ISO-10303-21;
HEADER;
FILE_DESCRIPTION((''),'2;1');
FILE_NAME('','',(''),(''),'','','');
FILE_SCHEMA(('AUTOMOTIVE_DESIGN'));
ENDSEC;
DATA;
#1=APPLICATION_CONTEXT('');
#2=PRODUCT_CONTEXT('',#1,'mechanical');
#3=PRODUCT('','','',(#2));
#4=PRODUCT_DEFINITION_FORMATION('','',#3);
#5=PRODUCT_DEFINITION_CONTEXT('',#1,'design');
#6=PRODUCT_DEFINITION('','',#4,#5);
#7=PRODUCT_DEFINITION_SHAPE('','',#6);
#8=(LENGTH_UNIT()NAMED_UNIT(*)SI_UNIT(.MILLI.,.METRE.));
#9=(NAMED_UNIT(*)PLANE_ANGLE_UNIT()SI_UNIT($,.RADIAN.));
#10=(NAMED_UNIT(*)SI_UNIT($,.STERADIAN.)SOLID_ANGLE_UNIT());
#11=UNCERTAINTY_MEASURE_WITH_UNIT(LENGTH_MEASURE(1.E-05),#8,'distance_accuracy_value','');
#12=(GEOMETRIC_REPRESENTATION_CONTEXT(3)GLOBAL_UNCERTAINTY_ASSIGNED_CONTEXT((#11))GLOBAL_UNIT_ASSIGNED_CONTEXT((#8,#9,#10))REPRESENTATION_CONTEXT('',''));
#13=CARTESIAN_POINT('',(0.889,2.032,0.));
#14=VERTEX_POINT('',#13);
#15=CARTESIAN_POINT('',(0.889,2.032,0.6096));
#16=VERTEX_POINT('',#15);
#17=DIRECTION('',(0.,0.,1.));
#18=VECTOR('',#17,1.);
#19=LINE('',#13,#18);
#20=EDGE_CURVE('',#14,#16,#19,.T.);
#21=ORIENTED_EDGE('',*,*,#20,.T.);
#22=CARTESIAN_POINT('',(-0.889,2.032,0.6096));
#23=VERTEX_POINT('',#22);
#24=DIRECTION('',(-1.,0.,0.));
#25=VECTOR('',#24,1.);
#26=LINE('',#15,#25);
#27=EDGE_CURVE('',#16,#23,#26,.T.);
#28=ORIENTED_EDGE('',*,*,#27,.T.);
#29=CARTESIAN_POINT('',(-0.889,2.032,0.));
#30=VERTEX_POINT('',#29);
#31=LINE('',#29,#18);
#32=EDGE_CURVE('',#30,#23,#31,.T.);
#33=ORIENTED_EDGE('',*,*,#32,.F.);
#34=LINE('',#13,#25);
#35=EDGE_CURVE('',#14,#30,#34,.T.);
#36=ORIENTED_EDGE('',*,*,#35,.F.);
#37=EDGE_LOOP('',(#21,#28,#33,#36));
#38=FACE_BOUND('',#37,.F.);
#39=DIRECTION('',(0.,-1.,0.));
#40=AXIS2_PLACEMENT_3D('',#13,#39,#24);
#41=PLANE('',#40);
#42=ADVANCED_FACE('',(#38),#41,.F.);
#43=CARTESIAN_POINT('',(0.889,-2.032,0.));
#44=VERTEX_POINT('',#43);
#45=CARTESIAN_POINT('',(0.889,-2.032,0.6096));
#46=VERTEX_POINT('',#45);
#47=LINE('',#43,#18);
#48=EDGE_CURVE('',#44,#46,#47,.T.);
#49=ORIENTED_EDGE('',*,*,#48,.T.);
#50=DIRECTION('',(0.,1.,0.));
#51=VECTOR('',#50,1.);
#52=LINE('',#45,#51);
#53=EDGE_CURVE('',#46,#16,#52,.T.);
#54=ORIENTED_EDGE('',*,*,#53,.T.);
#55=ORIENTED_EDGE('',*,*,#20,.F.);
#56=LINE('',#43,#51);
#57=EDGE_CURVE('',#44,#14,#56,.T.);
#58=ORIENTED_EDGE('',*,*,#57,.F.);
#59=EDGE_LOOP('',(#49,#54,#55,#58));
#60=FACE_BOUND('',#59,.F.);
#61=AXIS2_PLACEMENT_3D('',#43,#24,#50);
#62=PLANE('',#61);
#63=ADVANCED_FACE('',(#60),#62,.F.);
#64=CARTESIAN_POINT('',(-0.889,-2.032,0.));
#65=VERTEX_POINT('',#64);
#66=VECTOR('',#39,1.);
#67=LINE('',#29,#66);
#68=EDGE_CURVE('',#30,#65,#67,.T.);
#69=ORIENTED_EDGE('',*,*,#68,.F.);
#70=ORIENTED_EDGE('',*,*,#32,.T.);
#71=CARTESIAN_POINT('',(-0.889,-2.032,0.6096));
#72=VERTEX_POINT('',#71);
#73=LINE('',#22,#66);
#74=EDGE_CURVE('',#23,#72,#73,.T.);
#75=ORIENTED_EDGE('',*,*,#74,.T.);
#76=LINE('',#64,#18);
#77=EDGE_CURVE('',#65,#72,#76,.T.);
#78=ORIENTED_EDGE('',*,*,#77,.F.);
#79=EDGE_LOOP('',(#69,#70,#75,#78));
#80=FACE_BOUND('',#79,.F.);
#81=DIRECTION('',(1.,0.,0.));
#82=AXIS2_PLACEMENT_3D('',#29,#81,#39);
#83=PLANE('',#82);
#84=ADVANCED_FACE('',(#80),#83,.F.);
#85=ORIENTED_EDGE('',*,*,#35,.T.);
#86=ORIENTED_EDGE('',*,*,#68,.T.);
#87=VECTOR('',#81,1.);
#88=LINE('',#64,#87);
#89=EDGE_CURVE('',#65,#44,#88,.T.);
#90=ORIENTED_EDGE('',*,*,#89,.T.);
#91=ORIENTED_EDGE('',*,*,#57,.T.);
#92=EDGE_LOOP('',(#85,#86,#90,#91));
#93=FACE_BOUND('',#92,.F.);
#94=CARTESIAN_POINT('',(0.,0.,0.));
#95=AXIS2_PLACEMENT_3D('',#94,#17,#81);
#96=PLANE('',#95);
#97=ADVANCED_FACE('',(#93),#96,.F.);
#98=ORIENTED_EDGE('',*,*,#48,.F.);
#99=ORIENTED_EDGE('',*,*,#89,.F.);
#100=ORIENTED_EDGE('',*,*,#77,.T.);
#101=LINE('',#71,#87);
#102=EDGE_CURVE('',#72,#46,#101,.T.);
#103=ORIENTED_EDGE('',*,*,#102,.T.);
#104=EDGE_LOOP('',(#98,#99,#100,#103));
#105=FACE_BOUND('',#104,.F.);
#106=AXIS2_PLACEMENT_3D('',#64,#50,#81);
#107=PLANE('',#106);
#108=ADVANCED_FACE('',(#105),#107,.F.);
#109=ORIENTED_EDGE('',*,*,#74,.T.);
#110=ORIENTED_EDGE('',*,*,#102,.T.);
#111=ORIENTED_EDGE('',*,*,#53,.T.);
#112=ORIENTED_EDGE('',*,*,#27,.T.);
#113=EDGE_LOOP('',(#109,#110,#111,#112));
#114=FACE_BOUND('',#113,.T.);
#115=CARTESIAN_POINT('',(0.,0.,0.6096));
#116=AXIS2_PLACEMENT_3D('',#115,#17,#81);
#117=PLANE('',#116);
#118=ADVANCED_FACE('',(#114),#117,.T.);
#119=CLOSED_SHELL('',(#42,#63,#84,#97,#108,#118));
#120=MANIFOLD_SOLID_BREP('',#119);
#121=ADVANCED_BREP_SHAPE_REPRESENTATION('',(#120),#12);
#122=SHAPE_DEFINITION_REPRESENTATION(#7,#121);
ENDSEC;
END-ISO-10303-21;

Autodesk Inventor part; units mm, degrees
ref_plane "YZ Plane" through (0, 0, 0) normal (1, 0, 0) x (0, 1, 0)
ref_plane "XZ Plane" through (0, 0, 0) normal (0, 1, 0) x (-1, 0, 0)
ref_plane "XY Plane" through (0, 0, 0) normal (0, 0, 1) x (1, 0, 0)
sketch "0805, RA-SM_24" plane through (0, 0, 0) normal (0, 0, 1) x (1, 0, 0)
  line L0 (-0.889, 2.032) -> (-0.889, -2.032)
  line L1 (-0.889, -2.032) -> (0.889, -2.032)
  line L2 (0.889, -2.032) -> (0.889, 2.032)
  line L3 (0.889, 2.032) -> (-0.889, 2.032)
extrude "Extrusion1" add sketch "0805, RA-SM_24" along normal blind 0.6096
properties part number "RA-SM"
